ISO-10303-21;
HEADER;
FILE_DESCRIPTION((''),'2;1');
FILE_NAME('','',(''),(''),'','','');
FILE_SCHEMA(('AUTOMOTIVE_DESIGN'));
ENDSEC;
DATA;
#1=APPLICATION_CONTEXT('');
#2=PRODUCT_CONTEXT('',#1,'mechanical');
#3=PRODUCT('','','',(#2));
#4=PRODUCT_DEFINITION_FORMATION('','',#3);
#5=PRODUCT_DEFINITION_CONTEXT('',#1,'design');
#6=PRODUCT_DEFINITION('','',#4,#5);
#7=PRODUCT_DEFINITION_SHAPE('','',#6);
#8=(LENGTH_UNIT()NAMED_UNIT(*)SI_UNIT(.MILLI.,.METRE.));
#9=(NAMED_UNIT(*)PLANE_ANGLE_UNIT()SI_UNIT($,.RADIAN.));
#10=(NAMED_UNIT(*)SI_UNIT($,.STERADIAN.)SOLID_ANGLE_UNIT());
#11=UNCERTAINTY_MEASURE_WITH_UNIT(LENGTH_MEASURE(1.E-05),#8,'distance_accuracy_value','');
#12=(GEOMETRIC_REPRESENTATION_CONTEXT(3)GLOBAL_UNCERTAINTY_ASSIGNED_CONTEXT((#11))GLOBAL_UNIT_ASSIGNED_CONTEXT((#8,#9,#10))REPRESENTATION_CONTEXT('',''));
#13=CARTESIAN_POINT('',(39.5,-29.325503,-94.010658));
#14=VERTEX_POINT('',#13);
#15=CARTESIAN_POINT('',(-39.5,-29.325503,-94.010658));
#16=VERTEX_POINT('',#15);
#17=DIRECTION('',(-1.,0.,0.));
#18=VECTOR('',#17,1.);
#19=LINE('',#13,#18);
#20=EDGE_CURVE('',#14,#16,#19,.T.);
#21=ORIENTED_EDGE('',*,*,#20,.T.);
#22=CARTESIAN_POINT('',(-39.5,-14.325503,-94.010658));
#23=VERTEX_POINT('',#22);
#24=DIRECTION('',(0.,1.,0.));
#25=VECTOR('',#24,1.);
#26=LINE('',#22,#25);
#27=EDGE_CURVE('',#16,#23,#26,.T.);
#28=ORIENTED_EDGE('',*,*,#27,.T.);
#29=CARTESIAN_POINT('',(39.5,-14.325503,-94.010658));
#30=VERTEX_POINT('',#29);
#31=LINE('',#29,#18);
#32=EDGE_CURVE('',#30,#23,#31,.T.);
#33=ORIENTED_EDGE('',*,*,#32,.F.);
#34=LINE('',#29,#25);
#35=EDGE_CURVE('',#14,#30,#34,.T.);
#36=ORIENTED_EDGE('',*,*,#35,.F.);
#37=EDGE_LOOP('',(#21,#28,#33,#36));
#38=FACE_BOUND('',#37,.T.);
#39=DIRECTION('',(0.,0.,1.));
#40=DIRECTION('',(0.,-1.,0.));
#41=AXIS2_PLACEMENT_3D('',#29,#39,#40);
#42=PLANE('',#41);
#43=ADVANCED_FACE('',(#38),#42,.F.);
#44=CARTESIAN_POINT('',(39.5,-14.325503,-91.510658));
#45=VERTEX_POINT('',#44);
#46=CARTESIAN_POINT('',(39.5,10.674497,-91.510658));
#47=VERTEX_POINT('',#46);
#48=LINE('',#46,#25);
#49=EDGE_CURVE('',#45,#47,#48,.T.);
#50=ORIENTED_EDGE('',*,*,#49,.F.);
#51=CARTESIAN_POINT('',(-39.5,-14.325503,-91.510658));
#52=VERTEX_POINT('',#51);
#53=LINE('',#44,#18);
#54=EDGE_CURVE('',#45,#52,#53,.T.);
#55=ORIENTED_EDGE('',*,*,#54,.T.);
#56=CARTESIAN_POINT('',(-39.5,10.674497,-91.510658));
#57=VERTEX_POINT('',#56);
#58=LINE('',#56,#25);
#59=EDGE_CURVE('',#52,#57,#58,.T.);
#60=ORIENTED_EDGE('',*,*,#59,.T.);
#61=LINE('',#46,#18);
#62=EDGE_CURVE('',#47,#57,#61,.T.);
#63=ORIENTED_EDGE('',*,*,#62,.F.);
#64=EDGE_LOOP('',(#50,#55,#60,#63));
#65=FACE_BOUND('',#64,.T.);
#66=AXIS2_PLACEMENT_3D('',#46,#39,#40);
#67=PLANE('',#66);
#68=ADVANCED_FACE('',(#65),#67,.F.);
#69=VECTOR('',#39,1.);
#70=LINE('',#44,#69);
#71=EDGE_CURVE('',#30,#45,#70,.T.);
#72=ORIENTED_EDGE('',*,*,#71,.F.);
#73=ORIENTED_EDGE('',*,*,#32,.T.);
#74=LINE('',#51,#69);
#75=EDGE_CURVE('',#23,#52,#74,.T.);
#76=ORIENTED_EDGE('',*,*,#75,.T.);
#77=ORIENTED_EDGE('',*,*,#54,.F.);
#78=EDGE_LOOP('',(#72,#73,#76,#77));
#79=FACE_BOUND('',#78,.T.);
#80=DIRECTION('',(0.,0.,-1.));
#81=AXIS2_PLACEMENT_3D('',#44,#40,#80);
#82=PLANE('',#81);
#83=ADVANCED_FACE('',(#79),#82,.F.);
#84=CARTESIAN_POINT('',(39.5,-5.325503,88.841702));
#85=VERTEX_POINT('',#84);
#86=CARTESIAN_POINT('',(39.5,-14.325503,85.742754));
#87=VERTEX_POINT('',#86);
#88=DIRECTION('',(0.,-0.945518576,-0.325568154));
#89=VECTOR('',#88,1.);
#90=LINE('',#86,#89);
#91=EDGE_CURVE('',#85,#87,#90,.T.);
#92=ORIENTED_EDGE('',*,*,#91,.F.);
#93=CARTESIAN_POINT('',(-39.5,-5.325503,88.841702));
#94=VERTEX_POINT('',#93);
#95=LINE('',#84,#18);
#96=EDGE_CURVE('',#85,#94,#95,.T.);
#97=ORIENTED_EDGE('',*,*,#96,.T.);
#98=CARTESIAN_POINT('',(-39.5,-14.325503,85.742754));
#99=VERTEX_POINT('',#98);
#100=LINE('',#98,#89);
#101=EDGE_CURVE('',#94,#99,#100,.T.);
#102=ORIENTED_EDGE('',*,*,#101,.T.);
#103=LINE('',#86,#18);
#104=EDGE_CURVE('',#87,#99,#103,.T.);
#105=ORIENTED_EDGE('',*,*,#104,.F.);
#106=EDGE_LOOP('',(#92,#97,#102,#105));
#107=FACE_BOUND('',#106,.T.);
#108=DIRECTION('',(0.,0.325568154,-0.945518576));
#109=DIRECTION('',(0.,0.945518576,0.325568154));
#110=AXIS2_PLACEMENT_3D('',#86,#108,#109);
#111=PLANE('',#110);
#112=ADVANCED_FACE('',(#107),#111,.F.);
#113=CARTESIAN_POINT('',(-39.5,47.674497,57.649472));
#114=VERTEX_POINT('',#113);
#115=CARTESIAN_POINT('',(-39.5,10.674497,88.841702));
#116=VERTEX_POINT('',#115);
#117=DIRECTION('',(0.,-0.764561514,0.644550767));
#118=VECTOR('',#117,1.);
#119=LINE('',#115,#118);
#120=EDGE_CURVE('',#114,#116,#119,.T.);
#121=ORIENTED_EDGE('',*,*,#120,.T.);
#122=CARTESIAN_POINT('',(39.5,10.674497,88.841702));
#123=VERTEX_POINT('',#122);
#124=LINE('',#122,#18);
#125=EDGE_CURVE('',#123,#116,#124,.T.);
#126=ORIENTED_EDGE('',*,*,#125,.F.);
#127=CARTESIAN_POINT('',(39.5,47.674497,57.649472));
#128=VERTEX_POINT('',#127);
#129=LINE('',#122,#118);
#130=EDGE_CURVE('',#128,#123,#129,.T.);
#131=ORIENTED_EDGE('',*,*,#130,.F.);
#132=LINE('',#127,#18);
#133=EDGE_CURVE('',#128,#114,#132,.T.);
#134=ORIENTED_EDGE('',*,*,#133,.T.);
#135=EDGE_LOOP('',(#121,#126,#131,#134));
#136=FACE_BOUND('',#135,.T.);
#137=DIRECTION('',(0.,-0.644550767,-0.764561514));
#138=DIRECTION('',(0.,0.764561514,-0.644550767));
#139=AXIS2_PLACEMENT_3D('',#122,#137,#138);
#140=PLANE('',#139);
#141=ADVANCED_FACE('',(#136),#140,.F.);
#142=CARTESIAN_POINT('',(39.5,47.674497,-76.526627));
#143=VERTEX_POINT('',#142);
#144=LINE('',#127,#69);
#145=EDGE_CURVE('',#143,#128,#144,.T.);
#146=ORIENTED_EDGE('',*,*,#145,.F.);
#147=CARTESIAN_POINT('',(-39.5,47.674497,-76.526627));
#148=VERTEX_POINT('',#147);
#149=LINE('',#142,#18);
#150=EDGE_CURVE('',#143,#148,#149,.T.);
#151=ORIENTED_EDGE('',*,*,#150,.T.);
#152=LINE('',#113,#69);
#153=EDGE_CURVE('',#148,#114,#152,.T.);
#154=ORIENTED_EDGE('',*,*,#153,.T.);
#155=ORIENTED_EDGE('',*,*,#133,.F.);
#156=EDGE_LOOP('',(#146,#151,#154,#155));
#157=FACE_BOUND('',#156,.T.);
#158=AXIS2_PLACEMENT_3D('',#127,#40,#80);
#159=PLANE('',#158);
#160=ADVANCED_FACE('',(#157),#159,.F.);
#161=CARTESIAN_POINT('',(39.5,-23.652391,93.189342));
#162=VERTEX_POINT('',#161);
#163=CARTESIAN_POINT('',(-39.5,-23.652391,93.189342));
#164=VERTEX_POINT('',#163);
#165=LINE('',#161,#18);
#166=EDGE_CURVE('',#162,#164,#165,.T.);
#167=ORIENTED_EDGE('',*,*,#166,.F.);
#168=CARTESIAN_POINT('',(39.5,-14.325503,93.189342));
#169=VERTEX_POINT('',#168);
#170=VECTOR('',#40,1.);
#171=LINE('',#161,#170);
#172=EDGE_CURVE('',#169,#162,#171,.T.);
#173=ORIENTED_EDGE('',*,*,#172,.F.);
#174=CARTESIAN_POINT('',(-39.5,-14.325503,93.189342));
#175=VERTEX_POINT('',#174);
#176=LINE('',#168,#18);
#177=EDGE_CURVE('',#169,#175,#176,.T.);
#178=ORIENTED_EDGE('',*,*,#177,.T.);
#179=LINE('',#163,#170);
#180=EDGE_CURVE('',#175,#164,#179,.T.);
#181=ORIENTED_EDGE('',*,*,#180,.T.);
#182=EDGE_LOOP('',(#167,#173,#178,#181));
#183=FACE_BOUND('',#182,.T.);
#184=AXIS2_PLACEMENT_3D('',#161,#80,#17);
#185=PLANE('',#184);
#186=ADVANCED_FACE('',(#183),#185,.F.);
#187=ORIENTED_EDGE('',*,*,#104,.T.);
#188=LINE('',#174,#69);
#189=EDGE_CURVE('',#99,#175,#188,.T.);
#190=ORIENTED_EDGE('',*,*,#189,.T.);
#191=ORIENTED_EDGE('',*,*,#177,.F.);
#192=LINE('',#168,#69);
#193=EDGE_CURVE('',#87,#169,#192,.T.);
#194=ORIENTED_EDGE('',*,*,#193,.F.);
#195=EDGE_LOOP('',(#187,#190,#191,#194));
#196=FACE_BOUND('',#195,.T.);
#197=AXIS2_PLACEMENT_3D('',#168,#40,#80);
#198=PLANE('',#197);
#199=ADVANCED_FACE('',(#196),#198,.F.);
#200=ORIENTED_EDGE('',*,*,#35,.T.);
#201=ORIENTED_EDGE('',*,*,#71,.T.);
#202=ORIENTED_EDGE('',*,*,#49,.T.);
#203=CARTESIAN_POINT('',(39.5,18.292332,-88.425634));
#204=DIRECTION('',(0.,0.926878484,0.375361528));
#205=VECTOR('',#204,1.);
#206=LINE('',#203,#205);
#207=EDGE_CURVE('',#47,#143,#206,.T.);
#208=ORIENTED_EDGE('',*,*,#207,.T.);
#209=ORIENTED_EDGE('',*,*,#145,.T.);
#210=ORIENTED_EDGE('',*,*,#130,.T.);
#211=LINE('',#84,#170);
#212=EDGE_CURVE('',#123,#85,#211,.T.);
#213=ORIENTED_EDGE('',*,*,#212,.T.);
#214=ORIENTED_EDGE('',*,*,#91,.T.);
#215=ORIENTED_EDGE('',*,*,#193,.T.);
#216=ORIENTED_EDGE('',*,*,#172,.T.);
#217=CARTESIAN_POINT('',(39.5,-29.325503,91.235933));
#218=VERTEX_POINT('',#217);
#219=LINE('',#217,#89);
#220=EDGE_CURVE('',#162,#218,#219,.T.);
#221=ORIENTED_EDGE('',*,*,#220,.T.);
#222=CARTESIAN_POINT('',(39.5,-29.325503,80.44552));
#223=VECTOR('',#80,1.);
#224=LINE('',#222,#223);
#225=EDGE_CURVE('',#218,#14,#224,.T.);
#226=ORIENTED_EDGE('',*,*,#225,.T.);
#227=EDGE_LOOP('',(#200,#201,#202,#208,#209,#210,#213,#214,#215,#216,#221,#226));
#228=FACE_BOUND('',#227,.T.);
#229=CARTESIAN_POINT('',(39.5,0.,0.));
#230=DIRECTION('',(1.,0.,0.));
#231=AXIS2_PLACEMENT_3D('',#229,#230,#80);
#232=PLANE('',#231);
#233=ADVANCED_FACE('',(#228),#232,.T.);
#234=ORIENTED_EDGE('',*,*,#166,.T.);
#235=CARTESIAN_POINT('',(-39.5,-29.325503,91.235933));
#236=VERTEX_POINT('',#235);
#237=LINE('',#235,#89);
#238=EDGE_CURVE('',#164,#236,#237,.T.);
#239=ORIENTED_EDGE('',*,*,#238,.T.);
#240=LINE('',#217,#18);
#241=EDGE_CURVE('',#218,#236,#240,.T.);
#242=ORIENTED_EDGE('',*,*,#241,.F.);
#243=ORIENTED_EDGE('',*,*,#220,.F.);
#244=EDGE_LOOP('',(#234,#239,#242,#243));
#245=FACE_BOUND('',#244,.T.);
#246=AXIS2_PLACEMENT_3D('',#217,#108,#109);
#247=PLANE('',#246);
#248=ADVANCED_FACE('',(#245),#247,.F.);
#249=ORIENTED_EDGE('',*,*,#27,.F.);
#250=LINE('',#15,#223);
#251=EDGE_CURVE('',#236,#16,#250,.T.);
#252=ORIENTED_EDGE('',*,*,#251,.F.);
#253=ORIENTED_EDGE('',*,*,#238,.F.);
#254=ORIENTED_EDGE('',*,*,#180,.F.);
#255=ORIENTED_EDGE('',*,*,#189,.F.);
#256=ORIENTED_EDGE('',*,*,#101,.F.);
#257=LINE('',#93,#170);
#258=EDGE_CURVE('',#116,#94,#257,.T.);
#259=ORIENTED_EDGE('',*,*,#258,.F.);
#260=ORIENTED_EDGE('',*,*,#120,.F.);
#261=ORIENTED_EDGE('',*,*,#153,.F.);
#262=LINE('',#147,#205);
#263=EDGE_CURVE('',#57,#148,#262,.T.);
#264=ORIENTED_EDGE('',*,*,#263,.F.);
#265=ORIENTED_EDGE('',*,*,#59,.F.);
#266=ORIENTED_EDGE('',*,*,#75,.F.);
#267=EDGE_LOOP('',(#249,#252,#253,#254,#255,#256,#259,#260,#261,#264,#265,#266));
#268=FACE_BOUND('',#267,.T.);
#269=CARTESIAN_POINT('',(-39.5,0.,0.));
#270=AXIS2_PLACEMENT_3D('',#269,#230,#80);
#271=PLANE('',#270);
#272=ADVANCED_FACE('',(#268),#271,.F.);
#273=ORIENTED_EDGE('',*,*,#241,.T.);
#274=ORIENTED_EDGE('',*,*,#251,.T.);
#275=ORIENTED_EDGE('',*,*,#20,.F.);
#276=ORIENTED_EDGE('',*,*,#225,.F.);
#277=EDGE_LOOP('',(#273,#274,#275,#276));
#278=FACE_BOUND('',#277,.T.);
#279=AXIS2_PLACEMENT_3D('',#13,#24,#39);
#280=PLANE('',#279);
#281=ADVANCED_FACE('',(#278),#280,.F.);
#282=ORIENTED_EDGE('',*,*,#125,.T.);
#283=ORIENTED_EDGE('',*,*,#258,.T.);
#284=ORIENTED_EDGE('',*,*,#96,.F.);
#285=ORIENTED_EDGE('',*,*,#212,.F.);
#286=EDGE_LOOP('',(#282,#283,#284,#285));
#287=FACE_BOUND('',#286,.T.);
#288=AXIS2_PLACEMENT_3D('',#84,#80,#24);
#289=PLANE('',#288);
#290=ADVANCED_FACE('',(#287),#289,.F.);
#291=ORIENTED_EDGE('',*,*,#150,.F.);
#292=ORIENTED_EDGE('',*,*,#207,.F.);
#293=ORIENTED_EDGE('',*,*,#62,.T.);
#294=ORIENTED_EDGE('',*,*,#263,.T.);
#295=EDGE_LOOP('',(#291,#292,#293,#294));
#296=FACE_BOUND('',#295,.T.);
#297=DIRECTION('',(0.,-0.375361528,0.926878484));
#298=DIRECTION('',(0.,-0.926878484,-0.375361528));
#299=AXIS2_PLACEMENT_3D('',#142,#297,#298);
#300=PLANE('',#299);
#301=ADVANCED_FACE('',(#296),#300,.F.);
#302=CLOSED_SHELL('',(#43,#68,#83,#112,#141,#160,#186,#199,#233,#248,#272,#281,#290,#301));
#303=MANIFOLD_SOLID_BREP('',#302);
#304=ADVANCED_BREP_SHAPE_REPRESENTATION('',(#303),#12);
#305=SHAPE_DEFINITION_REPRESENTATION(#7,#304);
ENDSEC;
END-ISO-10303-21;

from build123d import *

# Parameters (mm, degrees)
BOSS_EXTRUDE2_DEPTH = 39.5


with BuildPart() as part:
    # Sketch6 → Boss-Extrude2 (new body, symmetric)
    with BuildSketch(Plane(origin=(0, 0, 0), x_dir=(0, 0, -1), z_dir=(1, 0, 0))):
        Polygon((-85.742753648, -14.325502792), (-88.841702167, -5.325502792), (-88.841702167, 10.674497208), (-57.649472482, 47.674497208), (76.526626639, 47.674497208), (88.425634479, 18.292332188), (91.510658272, 10.674497208), (91.510658272, -14.325502792), (94.010658272, -14.325502792), (94.010658272, -29.325502792), (-80.44551992, -29.325502792), (-91.235932802, -29.325502792), (-93.189341728, -23.652391339), (-93.189341728, -14.325502792), align=None)
    extrude(amount=BOSS_EXTRUDE2_DEPTH, both=True)


solid = part.part
